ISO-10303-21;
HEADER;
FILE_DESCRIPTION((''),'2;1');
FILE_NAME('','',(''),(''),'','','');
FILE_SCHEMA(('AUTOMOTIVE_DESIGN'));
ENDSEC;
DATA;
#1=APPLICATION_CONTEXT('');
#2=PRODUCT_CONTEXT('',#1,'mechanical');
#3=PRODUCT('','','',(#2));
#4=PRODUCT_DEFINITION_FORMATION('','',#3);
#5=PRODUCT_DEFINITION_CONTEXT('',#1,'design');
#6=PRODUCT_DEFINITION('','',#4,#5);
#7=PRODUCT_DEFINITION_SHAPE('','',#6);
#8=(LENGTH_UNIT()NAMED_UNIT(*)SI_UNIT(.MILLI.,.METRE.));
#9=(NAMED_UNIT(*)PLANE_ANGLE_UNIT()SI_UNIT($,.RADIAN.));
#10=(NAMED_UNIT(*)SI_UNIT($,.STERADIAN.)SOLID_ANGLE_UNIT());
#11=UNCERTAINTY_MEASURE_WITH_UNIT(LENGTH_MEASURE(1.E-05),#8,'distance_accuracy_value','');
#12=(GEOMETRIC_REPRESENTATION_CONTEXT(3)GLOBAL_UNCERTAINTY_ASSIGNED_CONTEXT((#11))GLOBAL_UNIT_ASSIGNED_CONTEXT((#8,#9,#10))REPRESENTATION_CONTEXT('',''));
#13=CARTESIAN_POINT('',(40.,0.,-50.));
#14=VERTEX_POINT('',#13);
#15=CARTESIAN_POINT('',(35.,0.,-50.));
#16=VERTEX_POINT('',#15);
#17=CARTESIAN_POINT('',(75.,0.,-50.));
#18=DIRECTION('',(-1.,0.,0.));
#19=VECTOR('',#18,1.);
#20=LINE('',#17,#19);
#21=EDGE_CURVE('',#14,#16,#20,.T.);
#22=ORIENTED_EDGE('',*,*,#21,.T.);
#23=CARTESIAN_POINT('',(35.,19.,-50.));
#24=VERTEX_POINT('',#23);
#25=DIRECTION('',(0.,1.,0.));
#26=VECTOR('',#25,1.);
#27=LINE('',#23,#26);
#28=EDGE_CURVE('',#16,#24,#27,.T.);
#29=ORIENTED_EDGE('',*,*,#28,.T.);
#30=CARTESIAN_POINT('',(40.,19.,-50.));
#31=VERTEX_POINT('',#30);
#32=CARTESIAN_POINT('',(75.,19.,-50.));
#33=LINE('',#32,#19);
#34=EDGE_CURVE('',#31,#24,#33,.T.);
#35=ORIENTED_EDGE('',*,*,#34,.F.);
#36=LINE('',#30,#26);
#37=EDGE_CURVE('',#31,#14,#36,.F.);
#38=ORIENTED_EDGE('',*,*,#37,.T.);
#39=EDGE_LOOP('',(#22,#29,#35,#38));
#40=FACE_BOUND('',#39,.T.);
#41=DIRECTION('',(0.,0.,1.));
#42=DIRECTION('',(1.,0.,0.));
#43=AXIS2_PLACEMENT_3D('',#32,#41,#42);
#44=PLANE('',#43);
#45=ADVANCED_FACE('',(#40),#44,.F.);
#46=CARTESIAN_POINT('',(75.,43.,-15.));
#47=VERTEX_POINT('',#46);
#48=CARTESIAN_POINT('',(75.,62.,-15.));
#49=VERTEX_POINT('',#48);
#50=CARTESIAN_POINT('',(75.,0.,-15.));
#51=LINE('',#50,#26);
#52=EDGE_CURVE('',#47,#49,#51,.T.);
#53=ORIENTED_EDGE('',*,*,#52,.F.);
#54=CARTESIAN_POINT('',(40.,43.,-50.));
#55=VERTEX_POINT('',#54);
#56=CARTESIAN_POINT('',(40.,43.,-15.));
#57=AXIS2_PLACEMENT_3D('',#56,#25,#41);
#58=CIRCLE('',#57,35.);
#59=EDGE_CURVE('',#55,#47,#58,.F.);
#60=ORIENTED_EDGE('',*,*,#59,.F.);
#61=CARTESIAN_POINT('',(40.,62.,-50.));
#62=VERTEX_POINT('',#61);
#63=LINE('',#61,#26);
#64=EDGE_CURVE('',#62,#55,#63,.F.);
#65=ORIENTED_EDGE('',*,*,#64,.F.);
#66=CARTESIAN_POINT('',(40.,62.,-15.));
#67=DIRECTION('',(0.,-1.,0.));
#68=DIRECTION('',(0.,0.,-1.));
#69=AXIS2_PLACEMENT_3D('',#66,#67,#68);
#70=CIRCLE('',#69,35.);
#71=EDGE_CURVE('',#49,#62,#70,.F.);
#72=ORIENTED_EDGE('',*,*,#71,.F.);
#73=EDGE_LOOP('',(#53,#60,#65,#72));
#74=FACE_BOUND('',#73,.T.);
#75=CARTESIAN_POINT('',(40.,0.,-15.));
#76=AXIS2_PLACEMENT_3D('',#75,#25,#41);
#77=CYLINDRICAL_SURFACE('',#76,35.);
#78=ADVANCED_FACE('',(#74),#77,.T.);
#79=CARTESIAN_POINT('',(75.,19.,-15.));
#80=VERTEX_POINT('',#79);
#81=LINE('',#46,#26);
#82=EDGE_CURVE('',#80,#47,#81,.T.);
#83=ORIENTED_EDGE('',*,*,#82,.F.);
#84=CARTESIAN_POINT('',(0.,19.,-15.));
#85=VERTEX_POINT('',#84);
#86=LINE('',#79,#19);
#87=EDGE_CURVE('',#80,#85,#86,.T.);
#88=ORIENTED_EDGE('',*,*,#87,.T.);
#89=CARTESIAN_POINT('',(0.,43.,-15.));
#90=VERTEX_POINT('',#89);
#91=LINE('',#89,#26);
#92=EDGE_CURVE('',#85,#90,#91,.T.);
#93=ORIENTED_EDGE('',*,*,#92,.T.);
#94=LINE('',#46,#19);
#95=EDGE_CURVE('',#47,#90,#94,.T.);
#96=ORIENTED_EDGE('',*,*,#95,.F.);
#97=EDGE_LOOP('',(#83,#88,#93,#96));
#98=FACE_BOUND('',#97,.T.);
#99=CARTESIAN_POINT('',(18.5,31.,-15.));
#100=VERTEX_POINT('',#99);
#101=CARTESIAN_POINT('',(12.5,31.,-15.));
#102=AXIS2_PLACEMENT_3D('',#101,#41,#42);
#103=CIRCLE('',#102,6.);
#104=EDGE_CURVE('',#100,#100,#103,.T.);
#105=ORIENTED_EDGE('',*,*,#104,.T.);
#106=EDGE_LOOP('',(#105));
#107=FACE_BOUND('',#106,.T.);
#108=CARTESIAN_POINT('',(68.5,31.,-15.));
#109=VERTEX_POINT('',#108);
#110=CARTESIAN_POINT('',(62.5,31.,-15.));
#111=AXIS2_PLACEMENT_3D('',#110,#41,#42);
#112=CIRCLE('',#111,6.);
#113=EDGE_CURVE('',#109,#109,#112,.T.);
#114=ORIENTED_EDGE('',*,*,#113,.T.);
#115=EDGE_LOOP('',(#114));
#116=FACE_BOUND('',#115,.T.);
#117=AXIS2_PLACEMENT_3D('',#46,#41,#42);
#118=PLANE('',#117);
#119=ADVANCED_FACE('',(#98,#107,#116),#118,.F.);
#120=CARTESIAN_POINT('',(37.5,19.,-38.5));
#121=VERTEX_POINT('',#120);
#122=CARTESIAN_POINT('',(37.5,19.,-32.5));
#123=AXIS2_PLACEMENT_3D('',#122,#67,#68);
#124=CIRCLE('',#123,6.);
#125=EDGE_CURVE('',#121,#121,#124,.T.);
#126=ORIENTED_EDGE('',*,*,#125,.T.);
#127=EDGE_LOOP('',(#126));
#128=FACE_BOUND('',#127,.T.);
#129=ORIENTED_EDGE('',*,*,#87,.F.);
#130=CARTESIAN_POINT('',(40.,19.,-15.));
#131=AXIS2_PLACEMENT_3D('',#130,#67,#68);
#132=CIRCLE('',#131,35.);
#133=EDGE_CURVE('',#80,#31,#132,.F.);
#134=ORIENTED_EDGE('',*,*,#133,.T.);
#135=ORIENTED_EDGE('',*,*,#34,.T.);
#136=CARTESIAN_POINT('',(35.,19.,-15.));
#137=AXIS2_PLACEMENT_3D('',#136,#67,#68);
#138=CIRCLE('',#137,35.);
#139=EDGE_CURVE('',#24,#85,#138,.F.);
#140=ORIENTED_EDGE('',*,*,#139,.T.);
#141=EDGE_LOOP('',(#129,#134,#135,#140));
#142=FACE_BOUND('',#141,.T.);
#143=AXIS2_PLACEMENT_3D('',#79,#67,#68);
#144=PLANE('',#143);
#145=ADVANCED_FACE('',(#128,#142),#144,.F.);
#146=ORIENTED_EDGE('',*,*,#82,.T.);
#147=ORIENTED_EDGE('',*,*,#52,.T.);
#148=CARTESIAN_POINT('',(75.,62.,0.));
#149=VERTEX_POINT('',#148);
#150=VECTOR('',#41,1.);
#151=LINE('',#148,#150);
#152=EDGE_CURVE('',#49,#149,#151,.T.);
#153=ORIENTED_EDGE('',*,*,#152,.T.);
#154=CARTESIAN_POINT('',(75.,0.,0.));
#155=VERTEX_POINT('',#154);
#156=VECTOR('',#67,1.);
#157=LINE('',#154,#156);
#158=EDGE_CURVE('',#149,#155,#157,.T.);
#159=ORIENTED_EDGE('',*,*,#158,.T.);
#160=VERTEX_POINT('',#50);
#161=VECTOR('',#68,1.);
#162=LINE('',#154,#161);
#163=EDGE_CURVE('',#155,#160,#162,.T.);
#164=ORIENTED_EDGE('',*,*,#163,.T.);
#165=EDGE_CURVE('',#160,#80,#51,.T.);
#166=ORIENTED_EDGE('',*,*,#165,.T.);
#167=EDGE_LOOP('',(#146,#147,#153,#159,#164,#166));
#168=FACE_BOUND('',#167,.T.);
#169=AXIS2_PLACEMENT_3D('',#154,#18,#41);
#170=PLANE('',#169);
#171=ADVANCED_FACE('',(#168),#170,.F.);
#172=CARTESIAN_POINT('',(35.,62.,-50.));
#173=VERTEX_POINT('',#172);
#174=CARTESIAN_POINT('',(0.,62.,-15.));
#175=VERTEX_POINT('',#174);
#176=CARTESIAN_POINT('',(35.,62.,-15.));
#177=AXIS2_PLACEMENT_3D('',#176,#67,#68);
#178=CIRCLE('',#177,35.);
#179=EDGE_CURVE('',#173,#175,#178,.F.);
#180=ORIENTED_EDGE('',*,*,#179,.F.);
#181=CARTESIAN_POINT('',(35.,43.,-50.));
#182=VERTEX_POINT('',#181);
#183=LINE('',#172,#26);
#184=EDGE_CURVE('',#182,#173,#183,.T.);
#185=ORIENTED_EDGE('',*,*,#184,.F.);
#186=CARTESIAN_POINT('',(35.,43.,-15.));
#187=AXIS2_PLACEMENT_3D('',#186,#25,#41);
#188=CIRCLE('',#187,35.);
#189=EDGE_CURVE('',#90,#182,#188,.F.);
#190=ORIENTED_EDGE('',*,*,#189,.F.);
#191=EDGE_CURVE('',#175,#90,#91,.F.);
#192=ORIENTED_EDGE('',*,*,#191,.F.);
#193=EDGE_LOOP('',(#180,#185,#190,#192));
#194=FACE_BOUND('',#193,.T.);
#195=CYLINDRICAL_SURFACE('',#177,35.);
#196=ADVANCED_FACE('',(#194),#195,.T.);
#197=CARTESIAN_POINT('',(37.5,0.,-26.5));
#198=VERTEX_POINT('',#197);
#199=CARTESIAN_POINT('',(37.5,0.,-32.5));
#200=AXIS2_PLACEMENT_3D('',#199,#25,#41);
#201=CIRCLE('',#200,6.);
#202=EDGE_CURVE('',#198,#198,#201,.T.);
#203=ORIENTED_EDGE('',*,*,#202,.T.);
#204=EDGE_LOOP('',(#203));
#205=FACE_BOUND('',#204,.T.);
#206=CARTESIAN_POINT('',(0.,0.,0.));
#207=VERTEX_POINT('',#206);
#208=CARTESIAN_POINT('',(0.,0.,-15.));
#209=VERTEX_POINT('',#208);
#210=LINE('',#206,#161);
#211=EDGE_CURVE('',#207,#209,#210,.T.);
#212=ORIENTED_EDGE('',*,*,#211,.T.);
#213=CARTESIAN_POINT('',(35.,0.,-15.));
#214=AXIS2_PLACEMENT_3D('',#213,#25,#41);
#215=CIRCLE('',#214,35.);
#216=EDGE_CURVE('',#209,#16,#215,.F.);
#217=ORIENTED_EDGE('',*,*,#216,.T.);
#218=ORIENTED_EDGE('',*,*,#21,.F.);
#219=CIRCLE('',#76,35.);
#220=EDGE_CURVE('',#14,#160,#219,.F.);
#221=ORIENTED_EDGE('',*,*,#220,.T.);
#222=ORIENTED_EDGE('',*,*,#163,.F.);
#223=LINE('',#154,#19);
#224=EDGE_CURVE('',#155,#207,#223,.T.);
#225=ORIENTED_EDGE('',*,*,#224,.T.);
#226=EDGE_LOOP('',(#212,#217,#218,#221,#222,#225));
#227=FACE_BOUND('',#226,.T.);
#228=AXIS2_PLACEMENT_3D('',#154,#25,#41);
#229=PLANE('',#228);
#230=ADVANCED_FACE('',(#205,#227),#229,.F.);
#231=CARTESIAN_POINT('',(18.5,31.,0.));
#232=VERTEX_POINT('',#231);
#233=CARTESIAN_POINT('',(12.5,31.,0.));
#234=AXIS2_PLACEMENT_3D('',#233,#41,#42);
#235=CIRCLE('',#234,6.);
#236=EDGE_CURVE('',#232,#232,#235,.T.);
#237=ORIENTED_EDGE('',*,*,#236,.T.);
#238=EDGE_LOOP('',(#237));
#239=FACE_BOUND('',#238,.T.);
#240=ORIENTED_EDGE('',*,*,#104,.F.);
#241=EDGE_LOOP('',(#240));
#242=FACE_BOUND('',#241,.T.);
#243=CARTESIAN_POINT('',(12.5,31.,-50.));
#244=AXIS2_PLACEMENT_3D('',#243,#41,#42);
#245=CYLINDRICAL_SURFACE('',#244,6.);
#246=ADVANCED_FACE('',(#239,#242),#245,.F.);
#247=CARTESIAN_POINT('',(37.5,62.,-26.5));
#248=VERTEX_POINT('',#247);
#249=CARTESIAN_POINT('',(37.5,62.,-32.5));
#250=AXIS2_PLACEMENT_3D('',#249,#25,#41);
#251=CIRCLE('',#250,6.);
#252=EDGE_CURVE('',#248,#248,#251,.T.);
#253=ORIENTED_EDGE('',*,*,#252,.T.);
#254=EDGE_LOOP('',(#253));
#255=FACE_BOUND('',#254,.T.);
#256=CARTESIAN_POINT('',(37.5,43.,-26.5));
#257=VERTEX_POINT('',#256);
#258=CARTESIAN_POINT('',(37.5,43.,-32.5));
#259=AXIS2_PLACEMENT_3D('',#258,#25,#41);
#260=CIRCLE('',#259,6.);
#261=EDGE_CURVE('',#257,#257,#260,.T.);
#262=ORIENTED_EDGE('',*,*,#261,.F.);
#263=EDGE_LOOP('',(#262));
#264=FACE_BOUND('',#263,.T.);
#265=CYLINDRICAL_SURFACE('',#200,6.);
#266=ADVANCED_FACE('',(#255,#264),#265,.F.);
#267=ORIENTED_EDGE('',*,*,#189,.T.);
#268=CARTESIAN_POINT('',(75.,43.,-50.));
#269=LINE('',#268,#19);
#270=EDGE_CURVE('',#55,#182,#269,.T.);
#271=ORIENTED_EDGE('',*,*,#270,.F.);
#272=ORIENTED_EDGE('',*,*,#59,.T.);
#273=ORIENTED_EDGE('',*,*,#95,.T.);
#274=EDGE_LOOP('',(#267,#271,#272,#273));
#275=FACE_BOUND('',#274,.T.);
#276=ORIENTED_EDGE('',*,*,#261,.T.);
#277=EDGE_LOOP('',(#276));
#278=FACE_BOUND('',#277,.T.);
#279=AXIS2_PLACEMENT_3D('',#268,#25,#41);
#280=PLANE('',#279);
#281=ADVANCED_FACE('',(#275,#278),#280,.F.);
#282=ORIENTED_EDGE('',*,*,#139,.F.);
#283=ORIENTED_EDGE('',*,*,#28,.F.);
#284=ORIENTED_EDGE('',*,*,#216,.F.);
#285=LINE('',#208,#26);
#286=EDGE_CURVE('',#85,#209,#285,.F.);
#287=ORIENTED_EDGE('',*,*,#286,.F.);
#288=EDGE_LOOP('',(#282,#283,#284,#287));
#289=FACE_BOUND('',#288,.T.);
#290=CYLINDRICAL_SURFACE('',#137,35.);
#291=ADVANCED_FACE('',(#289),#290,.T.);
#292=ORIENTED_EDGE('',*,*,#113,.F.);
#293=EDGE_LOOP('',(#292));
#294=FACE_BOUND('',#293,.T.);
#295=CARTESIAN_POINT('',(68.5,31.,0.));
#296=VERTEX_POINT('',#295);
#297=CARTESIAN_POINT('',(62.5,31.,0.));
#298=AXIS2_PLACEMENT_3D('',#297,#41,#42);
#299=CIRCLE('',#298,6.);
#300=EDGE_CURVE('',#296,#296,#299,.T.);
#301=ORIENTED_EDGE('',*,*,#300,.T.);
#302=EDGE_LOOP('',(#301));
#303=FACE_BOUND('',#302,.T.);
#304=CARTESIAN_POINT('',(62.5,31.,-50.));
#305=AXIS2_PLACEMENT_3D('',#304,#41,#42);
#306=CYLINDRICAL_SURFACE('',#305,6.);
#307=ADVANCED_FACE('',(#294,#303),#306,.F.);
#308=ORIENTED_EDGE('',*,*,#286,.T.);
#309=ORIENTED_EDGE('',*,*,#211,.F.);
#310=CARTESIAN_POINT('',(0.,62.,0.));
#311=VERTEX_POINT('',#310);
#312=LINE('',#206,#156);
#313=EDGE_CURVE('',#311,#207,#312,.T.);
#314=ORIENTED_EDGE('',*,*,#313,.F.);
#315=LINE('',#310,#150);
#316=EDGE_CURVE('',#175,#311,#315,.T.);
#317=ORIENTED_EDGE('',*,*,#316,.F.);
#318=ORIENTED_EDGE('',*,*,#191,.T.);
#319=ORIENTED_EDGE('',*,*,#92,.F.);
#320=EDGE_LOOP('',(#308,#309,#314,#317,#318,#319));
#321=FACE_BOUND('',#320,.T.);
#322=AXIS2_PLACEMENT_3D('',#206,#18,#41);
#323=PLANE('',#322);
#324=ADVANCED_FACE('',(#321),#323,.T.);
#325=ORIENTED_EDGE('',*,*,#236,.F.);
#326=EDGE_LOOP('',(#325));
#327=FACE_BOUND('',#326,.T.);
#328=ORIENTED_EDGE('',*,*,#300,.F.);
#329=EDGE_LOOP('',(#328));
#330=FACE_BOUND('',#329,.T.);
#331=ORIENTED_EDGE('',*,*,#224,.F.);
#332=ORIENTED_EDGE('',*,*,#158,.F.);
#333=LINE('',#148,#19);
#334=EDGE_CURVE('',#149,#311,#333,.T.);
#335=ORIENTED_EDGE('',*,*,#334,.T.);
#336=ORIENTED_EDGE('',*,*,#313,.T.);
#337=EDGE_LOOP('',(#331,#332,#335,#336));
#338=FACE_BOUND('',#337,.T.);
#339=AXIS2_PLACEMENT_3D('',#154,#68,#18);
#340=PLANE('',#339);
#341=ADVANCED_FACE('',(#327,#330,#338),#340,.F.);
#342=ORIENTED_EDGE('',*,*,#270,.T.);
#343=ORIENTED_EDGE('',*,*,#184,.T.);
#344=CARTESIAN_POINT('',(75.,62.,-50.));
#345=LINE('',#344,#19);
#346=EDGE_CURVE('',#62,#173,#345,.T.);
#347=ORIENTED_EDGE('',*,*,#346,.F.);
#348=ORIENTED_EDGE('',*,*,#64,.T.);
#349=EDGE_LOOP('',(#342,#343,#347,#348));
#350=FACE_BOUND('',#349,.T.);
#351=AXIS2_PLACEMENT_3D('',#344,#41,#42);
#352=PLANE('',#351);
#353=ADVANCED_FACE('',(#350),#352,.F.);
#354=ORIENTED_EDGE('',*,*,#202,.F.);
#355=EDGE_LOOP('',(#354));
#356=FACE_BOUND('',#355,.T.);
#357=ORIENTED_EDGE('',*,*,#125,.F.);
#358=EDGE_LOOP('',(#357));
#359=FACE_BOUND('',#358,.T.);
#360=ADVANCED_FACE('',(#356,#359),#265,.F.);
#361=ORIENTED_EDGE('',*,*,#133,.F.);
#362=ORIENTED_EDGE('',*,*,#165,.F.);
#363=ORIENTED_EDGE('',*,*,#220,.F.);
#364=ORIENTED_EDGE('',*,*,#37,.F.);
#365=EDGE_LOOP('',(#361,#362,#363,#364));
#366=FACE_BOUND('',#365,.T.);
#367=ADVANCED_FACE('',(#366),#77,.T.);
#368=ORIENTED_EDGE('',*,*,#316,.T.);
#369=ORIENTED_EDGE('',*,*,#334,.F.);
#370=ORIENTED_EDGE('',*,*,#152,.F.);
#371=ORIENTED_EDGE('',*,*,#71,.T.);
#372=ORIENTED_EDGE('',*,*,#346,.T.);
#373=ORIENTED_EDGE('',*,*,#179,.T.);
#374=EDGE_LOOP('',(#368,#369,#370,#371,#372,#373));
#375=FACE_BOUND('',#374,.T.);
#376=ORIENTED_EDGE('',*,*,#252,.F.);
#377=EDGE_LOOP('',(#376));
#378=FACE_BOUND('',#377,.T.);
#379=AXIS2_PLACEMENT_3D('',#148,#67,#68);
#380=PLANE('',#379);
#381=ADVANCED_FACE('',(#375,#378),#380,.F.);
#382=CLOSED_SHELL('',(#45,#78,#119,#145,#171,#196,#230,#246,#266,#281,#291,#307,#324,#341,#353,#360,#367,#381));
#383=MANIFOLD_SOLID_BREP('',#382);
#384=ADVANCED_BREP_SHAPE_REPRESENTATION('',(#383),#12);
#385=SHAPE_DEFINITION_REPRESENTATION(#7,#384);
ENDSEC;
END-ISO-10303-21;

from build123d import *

# Parameters (mm, degrees)
BOSS_EXTRUDE1_DEPTH = 75
SKETCH2_R           = 6
CUT_EXTRUDE1_DEPTH  = 110.402925007
SKETCH3_R           = 6
CUT_EXTRUDE2_DEPTH  = 110.402925007
FILLET1_R           = 35


with BuildPart() as part:
    # Sketch1 → Boss-Extrude1 (new body)
    with BuildSketch(Plane(origin=(0, 0, 0), x_dir=(0, 0, -1), z_dir=(1, 0, 0))):
        Polygon((50, 62), (50, 43), (15, 43), (15, 19), (50, 19), (50, 0), (0, 0), (0, 62), align=None)
    extrude(amount=BOSS_EXTRUDE1_DEPTH)

    # Sketch2 → Cut-Extrude1 (cut, through all)
    with BuildSketch(Plane.XY):
        with Locations((62.5, 31)):
            Circle(SKETCH2_R)
        with Locations((12.5, 31)):
            Circle(SKETCH2_R)
    extrude(amount=-CUT_EXTRUDE1_DEPTH, mode=Mode.SUBTRACT)

    # Sketch3 → Cut-Extrude2 (cut, through all)
    with BuildSketch(Plane(origin=(0, 62, 0), x_dir=(1, 0, 0), z_dir=(0, 1, 0))):
        with Locations(Location((37.5, 32.5, 0), (0, 0, 270))):
            Circle(SKETCH3_R)
    extrude(amount=-CUT_EXTRUDE2_DEPTH, mode=Mode.SUBTRACT)

    # Fillet1
    fillet1_edges = [part.edges().sort_by_distance(p)[0] for p in [
        (75, 9.5, -50),
        (0, 9.5, -50),
        (0, 52.5, -50),
        (75, 52.5, -50),
    ]]
    fillet(fillet1_edges, radius=FILLET1_R)


solid = part.part
